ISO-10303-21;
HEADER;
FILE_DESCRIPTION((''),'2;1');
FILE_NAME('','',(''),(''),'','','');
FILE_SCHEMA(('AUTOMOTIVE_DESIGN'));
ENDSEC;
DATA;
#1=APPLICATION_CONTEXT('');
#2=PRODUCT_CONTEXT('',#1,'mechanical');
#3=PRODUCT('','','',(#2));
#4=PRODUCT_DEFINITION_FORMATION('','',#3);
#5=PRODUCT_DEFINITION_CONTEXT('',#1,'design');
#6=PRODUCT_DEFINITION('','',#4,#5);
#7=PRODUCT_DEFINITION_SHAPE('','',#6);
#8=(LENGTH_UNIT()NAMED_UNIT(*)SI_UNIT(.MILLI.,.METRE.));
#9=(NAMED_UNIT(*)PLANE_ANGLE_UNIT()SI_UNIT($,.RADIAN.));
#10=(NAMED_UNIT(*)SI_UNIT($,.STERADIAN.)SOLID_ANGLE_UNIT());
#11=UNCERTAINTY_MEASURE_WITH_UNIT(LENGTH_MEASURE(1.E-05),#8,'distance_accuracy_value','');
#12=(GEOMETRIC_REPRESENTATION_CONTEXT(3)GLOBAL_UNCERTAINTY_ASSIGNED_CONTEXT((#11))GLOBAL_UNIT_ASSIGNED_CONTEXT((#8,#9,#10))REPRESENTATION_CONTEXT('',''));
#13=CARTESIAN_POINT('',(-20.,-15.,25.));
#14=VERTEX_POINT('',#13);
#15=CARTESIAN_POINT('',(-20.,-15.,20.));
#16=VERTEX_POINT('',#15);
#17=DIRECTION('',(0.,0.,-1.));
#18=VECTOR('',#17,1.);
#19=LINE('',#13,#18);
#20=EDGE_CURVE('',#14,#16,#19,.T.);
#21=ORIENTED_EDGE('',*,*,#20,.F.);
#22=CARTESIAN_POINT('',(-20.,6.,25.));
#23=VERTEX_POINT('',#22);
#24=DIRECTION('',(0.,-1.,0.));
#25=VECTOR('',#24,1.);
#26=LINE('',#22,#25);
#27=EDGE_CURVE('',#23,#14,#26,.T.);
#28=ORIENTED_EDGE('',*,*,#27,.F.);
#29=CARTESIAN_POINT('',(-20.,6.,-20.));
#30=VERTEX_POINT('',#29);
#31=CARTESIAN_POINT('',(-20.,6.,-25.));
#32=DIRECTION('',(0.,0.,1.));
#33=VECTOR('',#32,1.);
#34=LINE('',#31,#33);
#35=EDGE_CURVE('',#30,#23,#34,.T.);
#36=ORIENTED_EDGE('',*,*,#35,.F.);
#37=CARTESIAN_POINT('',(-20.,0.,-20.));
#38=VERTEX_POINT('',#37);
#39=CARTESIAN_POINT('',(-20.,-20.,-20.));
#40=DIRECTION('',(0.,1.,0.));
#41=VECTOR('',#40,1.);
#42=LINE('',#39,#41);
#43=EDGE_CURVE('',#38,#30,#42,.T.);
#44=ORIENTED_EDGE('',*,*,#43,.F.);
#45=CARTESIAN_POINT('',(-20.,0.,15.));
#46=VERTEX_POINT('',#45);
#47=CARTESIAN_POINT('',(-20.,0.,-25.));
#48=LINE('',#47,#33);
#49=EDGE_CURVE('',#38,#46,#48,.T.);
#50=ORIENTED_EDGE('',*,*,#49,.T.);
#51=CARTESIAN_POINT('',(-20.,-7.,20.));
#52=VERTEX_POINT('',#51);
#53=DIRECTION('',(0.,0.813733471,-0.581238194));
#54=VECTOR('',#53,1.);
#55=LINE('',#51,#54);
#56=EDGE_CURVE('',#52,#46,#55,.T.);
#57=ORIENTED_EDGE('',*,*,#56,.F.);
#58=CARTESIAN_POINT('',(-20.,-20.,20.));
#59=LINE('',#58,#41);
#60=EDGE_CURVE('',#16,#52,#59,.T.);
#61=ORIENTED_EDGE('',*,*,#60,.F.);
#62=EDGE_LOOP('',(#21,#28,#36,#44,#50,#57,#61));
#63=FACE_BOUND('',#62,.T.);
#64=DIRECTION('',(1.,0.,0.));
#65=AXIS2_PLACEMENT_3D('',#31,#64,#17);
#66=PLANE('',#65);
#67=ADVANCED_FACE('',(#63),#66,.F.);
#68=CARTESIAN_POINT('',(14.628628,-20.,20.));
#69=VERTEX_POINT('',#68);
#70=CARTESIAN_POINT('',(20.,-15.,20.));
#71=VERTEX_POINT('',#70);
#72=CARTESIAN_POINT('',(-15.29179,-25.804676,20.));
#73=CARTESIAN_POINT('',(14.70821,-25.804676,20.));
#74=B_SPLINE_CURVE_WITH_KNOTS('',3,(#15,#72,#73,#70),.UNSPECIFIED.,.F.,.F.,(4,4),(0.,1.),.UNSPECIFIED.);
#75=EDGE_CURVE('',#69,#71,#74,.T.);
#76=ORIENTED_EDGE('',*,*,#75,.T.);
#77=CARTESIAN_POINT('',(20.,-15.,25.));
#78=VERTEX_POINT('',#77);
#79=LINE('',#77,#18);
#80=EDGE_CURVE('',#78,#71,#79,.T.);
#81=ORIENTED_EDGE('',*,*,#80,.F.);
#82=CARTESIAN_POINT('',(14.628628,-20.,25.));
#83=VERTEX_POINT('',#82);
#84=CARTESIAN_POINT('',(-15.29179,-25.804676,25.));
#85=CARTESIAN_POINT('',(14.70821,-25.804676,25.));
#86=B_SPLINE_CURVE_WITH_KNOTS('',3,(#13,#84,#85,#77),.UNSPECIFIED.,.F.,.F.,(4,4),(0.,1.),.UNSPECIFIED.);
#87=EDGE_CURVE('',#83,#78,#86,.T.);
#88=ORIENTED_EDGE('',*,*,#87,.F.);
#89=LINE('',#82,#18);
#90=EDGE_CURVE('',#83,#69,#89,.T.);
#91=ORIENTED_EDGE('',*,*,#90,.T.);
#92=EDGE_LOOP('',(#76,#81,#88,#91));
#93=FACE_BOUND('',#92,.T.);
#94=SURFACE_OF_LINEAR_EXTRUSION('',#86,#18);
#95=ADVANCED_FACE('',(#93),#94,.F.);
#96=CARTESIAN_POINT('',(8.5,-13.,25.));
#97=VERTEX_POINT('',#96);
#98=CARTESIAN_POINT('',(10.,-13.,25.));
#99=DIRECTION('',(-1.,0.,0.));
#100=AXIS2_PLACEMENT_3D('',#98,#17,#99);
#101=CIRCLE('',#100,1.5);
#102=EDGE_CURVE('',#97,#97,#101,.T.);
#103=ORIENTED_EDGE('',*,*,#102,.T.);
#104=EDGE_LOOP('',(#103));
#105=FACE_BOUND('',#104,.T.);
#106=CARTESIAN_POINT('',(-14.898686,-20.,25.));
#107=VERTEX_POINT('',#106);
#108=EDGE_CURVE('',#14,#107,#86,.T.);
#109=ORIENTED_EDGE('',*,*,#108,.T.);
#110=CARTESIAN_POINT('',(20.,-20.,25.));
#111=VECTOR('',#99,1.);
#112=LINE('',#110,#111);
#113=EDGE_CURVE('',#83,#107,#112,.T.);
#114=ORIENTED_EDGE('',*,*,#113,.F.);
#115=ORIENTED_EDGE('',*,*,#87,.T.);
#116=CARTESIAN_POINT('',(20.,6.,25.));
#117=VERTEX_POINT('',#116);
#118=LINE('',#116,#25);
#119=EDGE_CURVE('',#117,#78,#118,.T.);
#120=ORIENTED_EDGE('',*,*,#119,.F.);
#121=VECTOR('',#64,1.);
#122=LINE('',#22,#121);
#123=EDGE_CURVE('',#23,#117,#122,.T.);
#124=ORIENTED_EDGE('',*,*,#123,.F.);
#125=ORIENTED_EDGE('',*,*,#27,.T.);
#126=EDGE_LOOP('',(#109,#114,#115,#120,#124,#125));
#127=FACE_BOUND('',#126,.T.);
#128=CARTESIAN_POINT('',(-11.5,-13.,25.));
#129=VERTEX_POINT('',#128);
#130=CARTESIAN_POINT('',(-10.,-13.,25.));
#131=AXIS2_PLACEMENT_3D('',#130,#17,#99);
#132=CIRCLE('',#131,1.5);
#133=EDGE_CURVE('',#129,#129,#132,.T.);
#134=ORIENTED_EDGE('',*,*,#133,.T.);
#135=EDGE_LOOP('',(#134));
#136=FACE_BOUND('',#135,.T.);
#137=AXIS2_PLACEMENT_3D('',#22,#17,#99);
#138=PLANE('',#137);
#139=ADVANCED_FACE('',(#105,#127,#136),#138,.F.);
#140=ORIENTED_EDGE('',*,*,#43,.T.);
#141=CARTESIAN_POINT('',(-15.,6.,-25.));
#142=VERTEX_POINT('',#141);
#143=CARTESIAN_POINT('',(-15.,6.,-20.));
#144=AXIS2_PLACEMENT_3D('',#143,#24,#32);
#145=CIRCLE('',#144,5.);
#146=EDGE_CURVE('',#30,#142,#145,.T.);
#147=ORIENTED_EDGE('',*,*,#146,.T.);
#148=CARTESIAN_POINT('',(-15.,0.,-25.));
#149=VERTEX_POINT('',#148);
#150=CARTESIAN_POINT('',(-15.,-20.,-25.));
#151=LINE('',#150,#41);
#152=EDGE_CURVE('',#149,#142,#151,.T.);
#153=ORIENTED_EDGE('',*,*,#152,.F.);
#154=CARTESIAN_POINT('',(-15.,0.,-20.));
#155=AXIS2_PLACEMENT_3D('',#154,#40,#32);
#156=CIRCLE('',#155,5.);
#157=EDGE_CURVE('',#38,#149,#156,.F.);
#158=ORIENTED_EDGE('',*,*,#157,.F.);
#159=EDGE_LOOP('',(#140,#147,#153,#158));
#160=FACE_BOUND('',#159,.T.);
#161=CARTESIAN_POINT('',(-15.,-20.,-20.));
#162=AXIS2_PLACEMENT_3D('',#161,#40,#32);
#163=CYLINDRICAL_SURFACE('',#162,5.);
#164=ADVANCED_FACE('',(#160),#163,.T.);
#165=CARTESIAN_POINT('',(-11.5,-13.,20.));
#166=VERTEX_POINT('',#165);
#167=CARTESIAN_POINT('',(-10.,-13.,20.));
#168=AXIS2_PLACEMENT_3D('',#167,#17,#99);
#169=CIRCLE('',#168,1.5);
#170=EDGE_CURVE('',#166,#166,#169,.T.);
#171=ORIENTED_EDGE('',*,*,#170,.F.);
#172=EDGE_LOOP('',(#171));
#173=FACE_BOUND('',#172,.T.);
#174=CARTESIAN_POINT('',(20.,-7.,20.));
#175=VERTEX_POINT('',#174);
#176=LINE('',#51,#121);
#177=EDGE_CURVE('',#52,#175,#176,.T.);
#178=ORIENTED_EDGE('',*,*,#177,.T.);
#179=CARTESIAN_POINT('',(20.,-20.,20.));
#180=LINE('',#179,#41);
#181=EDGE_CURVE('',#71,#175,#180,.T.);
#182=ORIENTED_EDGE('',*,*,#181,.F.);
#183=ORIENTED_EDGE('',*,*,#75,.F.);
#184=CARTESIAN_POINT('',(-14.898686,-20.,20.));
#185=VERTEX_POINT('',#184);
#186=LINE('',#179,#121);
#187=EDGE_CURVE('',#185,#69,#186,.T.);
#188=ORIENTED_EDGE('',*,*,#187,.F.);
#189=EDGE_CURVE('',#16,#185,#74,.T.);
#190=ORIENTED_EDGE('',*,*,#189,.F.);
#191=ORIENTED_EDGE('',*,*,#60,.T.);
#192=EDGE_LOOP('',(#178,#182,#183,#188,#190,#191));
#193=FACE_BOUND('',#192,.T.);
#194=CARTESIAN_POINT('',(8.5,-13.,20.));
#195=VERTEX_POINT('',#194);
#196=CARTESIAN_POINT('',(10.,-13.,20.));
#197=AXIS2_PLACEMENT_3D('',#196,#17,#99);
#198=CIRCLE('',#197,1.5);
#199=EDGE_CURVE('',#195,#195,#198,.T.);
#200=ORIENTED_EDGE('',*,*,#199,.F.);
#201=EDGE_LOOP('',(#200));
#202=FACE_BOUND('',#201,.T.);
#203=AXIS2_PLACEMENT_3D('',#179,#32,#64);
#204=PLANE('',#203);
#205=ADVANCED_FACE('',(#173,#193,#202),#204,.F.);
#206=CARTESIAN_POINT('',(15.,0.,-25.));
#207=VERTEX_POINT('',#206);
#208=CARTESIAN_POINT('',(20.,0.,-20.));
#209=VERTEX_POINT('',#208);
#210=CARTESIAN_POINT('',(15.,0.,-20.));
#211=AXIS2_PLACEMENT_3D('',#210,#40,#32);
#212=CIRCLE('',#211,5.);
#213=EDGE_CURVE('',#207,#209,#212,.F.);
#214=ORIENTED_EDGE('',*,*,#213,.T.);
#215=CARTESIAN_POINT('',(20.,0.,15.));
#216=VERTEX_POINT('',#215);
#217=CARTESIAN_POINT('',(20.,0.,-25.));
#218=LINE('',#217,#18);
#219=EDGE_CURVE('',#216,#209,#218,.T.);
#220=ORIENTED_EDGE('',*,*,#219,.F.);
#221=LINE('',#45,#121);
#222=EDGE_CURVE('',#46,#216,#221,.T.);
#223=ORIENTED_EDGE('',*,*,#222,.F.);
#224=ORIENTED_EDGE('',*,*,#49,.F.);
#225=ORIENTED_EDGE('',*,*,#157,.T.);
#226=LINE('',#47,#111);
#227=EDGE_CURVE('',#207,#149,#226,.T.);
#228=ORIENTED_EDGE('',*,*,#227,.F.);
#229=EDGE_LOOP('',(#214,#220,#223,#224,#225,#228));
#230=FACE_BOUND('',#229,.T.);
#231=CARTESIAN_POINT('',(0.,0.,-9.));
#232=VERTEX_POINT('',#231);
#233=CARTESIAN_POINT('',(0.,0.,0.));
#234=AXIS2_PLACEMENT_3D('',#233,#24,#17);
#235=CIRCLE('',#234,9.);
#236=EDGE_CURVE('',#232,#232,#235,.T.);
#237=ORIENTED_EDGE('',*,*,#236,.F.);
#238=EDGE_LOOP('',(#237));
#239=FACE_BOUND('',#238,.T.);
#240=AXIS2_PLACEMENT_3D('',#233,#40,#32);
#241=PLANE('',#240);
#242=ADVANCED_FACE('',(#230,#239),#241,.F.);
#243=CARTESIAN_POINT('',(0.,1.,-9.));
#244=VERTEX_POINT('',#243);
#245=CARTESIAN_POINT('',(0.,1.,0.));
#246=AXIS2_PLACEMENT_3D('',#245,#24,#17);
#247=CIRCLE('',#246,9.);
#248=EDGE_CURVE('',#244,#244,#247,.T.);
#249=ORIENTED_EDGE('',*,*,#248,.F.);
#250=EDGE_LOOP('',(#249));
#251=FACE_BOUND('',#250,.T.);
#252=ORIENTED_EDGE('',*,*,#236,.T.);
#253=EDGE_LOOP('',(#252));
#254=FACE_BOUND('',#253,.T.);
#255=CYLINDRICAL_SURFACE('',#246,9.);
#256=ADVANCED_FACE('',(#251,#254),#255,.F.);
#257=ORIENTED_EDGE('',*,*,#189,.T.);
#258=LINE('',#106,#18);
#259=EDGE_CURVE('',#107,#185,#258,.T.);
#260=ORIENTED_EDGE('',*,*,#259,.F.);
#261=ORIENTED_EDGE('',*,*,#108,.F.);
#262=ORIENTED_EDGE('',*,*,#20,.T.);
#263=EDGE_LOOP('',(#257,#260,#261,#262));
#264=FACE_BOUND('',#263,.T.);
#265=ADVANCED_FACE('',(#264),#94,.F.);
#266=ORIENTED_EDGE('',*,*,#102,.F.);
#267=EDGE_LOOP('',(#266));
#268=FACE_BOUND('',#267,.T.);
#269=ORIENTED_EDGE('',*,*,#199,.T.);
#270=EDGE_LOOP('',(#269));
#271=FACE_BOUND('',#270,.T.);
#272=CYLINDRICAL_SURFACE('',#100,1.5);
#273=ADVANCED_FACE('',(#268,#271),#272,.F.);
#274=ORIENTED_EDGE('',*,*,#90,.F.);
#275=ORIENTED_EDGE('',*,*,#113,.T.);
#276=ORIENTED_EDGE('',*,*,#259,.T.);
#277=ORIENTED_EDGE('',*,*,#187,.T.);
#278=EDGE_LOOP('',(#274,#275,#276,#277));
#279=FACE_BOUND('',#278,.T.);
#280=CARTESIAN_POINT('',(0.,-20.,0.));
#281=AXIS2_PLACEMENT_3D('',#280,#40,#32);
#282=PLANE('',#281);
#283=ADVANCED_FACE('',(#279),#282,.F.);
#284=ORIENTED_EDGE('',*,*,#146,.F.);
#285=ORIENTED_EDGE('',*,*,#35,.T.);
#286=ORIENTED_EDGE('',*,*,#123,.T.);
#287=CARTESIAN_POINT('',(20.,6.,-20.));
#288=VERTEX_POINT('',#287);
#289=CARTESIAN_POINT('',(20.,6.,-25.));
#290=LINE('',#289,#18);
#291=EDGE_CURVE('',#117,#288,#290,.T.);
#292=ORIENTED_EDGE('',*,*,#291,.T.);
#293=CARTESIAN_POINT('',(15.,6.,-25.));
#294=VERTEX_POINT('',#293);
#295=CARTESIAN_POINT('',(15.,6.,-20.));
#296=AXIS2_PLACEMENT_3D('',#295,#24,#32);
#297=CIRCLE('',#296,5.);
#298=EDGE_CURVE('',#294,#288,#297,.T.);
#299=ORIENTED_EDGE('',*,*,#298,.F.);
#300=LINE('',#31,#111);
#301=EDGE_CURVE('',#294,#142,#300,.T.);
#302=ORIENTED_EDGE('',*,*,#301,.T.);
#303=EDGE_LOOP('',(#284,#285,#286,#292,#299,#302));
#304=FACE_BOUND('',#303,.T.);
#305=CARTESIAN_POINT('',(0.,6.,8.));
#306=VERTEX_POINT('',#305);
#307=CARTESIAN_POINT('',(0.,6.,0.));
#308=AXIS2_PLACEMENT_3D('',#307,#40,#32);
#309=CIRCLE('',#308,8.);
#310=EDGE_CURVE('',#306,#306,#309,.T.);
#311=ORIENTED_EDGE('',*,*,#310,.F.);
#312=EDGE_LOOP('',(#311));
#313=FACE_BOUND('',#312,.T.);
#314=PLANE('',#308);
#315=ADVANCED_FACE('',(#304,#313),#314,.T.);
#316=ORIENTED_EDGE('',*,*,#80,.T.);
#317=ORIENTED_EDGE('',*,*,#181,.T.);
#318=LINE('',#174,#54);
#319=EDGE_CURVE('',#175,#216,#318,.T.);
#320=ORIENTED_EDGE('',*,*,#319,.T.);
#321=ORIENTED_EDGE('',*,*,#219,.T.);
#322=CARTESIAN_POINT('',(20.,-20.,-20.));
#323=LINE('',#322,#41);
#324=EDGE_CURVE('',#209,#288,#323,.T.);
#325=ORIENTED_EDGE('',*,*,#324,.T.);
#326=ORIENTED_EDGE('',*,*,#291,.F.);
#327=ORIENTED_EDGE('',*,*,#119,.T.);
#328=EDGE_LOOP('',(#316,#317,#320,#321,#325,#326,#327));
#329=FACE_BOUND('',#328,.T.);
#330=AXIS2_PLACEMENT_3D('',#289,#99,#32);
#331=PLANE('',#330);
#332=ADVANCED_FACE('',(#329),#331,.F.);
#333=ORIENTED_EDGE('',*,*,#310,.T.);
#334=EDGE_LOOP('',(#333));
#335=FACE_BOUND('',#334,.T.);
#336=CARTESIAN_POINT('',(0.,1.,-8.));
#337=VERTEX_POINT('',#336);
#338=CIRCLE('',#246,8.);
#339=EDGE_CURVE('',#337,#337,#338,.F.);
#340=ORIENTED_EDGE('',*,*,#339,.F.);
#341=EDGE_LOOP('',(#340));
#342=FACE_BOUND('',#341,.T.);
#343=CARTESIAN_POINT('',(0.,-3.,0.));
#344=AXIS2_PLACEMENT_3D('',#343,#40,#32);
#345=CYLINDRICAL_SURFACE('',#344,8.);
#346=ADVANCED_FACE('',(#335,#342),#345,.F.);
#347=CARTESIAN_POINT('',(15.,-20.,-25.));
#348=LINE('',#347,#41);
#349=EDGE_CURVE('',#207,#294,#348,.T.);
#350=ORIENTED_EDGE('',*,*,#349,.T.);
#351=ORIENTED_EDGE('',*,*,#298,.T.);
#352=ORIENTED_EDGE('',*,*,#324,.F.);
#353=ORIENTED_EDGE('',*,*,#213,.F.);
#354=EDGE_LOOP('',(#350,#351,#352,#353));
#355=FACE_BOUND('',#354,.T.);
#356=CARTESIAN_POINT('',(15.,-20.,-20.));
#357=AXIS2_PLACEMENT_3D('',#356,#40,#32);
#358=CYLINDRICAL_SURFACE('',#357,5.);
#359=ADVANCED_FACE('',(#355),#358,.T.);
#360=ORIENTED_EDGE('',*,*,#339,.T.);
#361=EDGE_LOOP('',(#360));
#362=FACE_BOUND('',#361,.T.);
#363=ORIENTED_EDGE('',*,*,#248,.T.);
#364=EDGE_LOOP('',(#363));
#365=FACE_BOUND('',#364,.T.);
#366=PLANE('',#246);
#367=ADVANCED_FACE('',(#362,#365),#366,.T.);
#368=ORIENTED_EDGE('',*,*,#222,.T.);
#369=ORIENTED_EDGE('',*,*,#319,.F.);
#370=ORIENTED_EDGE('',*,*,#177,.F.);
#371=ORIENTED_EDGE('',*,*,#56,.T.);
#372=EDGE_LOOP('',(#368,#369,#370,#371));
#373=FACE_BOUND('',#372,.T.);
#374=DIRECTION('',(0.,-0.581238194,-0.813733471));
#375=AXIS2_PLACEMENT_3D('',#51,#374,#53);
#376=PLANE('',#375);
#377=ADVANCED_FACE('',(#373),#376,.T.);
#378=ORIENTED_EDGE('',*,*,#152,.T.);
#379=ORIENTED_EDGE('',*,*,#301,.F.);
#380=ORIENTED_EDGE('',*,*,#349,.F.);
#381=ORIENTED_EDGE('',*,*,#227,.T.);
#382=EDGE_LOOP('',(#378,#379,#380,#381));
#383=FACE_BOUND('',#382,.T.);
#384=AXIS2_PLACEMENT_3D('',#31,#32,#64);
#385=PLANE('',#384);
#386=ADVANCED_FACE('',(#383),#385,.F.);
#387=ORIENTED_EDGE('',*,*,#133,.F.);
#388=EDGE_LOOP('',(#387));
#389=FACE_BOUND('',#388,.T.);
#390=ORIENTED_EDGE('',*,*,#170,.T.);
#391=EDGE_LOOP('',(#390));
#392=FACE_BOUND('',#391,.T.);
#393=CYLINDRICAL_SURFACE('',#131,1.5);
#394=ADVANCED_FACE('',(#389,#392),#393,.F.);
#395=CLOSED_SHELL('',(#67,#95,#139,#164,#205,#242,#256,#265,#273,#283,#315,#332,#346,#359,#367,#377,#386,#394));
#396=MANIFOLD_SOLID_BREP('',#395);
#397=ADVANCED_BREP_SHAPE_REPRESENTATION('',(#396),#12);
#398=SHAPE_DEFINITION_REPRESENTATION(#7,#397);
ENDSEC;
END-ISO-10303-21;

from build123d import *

# Parameters (mm, degrees)
SKETCH1_W           = 40
SKETCH1_H           = 50
BOSS_EXTRUDE1_DEPTH = 6
SKETCH3_R           = 8
CUT_EXTRUDE1_DEPTH  = 9
SKETCH4_W           = 40
SKETCH4_H           = 5
BOSS_EXTRUDE2_DEPTH = 20
BOSS_EXTRUDE3_DEPTH = 40
SKETCH6_R           = 1.5
CUT_EXTRUDE2_DEPTH  = 54.150729064
CUT_EXTRUDE3_DEPTH  = 42.243181255
CUT_EXTRUDE4_DEPTH  = 54.150729064
SKETCH9_R           = 9
CUT_EXTRUDE5_DEPTH  = 1


with BuildPart() as part:
    # Sketch1 → Boss-Extrude1 (new body)
    with BuildSketch(Plane(origin=(0, 0, 0), x_dir=(1, 0, 0), z_dir=(0, 1, 0))):
        Rectangle(SKETCH1_W, SKETCH1_H)
    extrude(amount=BOSS_EXTRUDE1_DEPTH)

    # Sketch3 → Cut-Extrude1 (cut)
    with BuildSketch(Plane(origin=(0, 6, 0), x_dir=(1, 0, 0), z_dir=(0, 1, 0))):
        with Locations(Location((0, 0, 0), (0, 0, 270))):
            Circle(SKETCH3_R)
    extrude(amount=-CUT_EXTRUDE1_DEPTH, mode=Mode.SUBTRACT)

    # Sketch4 → Boss-Extrude2 (add)
    with BuildSketch(Plane.XZ):
        with Locations((0, 22.5)):
            Rectangle(SKETCH4_W, SKETCH4_H)
    extrude(amount=BOSS_EXTRUDE2_DEPTH)

    # Sketch5 → Boss-Extrude3 (add)
    with BuildSketch(Plane(origin=(20, 0, 0), x_dir=(0, 0, -1), z_dir=(1, 0, 0))):
        Polygon((-15, 0), (-20, 0), (-20, -7), align=None)
    extrude(amount=-BOSS_EXTRUDE3_DEPTH)

    # Sketch6 → Cut-Extrude2 (cut, through all)
    with BuildSketch(Plane(origin=(0, 0, 20), x_dir=(-1, 0, 0), z_dir=(0, 0, -1))):
        with Locations((-10, -13)):
            Circle(SKETCH6_R)
        with Locations((10, -13)):
            Circle(SKETCH6_R)
    extrude(amount=-CUT_EXTRUDE2_DEPTH, mode=Mode.SUBTRACT)

    # Sketch7 → Cut-Extrude3 (cut, through all)
    with BuildSketch(Plane(origin=(0, 6, 0), x_dir=(1, 0, 0), z_dir=(0, 1, 0))):
        with BuildLine():
            Line((-20, 20), (-20, 25))
            Line((-20, 25), (-15, 25))
            ThreePointArc((-15, 25), (-18.535533906, 23.535533906), (-20, 20))
        make_face()
        with BuildLine():
            Line((15, 25), (20, 25))
            Line((20, 25), (20, 20))
            ThreePointArc((20, 20), (18.535533906, 23.535533906), (15, 25))
        make_face()
    extrude(amount=-CUT_EXTRUDE3_DEPTH, mode=Mode.SUBTRACT)

    # Sketch8 → Cut-Extrude4 (cut, through all)
    with BuildSketch(Plane(origin=(0, 0, 20), x_dir=(-1, 0, 0), z_dir=(0, 0, -1))):
        with BuildLine():
            Line((20, -20), (20, -15))
            add(Edge.make_bspline(
                [(20, -15), (19.102747752, -17.059066779), (17.286957895, -18.725733446), (14.898686187, -20)],
                knots=[0, 0, 0, 0, 0.190571824, 0.190571824, 0.190571824, 0.190571824], degree=3))
            Line((14.898686187, -20), (20, -20))
        make_face()
        with BuildLine():
            Line((-20, -20), (-14.628627564, -20))
            add(Edge.make_bspline(
                [(-14.628627564, -20), (-17.085724607, -18.725733446), (-18.991534004, -17.059066779), (-20, -15)],
                knots=[0.809428176, 0.809428176, 0.809428176, 0.809428176, 1, 1, 1, 1], degree=3))
            Line((-20, -15), (-20, -20))
        make_face()
    extrude(amount=-CUT_EXTRUDE4_DEPTH, mode=Mode.SUBTRACT)

    # Sketch9 → Cut-Extrude5 (cut)
    with BuildSketch(Plane.XZ):
        with Locations(Location((0, 0, 0), (0, 0, 270))):
            Circle(SKETCH9_R)
    extrude(amount=-CUT_EXTRUDE5_DEPTH, mode=Mode.SUBTRACT)


solid = part.part
